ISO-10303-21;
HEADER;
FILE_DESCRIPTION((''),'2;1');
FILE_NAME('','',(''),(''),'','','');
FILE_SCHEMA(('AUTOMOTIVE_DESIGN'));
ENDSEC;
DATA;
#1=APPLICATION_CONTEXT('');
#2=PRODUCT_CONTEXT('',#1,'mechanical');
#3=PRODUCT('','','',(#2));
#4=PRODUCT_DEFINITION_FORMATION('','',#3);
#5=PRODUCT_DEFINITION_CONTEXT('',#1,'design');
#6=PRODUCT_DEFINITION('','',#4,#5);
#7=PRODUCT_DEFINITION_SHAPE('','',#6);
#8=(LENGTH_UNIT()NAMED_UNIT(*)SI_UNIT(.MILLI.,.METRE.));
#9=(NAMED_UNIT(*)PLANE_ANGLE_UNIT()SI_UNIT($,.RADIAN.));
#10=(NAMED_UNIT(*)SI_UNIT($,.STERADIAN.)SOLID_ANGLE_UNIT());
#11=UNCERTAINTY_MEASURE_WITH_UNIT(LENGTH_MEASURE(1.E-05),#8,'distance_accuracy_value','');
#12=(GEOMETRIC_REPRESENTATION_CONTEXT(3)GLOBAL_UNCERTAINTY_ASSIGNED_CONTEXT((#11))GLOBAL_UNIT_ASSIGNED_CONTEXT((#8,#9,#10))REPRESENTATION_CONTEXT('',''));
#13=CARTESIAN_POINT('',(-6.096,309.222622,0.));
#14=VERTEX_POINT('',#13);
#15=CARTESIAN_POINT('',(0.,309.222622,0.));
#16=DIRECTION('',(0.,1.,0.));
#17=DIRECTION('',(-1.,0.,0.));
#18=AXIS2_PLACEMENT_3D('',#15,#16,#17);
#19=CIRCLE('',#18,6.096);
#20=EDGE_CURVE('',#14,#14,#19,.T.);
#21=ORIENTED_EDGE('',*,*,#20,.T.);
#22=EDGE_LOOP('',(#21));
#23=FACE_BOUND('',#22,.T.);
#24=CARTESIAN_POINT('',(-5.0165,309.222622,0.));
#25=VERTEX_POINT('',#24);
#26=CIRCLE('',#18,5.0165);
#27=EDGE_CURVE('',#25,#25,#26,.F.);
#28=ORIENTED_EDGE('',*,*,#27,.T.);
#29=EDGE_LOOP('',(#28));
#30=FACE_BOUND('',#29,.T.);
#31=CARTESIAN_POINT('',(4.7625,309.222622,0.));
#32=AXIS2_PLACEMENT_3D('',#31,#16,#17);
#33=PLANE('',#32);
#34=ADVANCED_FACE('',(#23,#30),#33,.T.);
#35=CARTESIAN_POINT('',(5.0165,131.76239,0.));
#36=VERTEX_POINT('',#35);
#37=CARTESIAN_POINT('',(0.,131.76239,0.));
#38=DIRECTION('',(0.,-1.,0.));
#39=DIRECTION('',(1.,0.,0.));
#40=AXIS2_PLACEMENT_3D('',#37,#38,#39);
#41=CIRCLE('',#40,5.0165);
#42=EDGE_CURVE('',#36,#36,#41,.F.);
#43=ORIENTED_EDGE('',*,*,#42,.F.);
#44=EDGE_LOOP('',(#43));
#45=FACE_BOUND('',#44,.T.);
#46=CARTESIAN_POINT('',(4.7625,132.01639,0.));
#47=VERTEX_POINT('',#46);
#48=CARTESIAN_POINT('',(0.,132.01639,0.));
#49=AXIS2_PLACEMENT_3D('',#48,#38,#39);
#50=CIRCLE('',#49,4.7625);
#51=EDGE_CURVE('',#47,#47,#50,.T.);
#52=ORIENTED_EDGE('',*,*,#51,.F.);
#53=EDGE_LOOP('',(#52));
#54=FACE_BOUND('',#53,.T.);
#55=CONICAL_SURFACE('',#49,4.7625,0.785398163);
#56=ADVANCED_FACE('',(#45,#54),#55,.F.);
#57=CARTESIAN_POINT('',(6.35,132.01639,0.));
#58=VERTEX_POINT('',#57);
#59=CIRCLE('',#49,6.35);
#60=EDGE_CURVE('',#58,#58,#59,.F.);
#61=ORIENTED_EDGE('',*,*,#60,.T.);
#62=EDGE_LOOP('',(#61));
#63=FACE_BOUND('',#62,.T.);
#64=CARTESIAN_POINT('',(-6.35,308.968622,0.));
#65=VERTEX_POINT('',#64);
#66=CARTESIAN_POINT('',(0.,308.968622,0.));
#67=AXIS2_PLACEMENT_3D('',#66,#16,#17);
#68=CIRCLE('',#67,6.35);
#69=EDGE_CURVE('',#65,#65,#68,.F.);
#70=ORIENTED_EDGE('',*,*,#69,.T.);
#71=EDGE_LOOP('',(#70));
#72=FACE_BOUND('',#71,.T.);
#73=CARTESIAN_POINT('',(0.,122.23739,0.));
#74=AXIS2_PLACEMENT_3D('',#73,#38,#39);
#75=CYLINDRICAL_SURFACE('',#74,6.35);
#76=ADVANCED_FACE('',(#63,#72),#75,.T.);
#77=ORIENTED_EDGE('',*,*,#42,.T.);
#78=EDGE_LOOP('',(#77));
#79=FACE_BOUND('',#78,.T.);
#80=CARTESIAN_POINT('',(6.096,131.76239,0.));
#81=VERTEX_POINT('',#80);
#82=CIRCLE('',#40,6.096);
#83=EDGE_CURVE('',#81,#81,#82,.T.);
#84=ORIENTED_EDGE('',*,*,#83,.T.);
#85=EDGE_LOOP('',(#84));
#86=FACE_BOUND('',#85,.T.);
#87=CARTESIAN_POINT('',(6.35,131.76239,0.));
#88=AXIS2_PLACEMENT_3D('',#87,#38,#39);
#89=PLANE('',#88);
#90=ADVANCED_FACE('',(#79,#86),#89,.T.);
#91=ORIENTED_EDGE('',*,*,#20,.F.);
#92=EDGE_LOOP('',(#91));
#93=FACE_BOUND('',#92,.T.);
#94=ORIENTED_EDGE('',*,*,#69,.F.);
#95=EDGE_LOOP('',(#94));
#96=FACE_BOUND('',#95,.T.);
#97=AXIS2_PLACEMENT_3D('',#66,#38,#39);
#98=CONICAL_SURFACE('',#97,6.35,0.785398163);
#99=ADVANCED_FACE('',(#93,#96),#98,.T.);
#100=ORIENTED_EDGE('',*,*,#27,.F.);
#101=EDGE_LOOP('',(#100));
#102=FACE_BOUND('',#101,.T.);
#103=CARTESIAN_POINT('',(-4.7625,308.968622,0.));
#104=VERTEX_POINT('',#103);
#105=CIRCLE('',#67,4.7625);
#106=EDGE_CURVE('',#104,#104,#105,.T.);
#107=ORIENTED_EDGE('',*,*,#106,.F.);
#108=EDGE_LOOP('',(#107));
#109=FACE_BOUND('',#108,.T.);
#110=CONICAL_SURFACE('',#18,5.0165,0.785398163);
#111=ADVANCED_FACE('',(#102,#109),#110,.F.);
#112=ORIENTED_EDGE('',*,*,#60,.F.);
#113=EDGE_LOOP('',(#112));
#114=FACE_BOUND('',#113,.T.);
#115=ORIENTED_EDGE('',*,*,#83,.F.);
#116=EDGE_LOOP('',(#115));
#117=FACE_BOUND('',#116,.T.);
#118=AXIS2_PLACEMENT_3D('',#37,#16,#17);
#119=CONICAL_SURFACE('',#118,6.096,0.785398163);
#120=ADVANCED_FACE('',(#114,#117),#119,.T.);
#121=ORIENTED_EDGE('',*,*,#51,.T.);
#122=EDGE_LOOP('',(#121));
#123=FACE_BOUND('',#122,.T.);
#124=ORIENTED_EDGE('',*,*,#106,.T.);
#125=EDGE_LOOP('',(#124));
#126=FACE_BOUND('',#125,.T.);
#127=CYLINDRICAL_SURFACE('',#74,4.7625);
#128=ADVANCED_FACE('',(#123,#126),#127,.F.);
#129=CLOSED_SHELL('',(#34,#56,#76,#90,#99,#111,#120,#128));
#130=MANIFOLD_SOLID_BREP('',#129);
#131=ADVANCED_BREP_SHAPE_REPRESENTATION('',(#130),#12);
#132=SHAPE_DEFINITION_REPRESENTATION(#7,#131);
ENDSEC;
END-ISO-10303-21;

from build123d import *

# Parameters (mm, degrees)
SKETCH1_W     = 1.5875
SKETCH1_H     = 177.460231939
CHAMFER1_SIZE = 0.254


with BuildPart() as part:
    # Sketch1 → Revolve1 (revolve)
    with BuildSketch(Plane.XY):
        with Locations((5.55625, 220.4925059)):
            Rectangle(SKETCH1_W, SKETCH1_H)
    revolve(axis=Axis((0, 122.23738993, 0), (0, 1, 0)))

    # Chamfer1
    chamfer1_edges = [part.edges().sort_by_distance(p)[0] for p in [
        (-6.35, 131.76238993, 0),
        (-6.35, 309.222621869, 0),
        (-4.7625, 309.222621869, 0),
        (-4.7625, 131.76238993, 0),
    ]]
    chamfer(chamfer1_edges, length=CHAMFER1_SIZE)


solid = part.part
